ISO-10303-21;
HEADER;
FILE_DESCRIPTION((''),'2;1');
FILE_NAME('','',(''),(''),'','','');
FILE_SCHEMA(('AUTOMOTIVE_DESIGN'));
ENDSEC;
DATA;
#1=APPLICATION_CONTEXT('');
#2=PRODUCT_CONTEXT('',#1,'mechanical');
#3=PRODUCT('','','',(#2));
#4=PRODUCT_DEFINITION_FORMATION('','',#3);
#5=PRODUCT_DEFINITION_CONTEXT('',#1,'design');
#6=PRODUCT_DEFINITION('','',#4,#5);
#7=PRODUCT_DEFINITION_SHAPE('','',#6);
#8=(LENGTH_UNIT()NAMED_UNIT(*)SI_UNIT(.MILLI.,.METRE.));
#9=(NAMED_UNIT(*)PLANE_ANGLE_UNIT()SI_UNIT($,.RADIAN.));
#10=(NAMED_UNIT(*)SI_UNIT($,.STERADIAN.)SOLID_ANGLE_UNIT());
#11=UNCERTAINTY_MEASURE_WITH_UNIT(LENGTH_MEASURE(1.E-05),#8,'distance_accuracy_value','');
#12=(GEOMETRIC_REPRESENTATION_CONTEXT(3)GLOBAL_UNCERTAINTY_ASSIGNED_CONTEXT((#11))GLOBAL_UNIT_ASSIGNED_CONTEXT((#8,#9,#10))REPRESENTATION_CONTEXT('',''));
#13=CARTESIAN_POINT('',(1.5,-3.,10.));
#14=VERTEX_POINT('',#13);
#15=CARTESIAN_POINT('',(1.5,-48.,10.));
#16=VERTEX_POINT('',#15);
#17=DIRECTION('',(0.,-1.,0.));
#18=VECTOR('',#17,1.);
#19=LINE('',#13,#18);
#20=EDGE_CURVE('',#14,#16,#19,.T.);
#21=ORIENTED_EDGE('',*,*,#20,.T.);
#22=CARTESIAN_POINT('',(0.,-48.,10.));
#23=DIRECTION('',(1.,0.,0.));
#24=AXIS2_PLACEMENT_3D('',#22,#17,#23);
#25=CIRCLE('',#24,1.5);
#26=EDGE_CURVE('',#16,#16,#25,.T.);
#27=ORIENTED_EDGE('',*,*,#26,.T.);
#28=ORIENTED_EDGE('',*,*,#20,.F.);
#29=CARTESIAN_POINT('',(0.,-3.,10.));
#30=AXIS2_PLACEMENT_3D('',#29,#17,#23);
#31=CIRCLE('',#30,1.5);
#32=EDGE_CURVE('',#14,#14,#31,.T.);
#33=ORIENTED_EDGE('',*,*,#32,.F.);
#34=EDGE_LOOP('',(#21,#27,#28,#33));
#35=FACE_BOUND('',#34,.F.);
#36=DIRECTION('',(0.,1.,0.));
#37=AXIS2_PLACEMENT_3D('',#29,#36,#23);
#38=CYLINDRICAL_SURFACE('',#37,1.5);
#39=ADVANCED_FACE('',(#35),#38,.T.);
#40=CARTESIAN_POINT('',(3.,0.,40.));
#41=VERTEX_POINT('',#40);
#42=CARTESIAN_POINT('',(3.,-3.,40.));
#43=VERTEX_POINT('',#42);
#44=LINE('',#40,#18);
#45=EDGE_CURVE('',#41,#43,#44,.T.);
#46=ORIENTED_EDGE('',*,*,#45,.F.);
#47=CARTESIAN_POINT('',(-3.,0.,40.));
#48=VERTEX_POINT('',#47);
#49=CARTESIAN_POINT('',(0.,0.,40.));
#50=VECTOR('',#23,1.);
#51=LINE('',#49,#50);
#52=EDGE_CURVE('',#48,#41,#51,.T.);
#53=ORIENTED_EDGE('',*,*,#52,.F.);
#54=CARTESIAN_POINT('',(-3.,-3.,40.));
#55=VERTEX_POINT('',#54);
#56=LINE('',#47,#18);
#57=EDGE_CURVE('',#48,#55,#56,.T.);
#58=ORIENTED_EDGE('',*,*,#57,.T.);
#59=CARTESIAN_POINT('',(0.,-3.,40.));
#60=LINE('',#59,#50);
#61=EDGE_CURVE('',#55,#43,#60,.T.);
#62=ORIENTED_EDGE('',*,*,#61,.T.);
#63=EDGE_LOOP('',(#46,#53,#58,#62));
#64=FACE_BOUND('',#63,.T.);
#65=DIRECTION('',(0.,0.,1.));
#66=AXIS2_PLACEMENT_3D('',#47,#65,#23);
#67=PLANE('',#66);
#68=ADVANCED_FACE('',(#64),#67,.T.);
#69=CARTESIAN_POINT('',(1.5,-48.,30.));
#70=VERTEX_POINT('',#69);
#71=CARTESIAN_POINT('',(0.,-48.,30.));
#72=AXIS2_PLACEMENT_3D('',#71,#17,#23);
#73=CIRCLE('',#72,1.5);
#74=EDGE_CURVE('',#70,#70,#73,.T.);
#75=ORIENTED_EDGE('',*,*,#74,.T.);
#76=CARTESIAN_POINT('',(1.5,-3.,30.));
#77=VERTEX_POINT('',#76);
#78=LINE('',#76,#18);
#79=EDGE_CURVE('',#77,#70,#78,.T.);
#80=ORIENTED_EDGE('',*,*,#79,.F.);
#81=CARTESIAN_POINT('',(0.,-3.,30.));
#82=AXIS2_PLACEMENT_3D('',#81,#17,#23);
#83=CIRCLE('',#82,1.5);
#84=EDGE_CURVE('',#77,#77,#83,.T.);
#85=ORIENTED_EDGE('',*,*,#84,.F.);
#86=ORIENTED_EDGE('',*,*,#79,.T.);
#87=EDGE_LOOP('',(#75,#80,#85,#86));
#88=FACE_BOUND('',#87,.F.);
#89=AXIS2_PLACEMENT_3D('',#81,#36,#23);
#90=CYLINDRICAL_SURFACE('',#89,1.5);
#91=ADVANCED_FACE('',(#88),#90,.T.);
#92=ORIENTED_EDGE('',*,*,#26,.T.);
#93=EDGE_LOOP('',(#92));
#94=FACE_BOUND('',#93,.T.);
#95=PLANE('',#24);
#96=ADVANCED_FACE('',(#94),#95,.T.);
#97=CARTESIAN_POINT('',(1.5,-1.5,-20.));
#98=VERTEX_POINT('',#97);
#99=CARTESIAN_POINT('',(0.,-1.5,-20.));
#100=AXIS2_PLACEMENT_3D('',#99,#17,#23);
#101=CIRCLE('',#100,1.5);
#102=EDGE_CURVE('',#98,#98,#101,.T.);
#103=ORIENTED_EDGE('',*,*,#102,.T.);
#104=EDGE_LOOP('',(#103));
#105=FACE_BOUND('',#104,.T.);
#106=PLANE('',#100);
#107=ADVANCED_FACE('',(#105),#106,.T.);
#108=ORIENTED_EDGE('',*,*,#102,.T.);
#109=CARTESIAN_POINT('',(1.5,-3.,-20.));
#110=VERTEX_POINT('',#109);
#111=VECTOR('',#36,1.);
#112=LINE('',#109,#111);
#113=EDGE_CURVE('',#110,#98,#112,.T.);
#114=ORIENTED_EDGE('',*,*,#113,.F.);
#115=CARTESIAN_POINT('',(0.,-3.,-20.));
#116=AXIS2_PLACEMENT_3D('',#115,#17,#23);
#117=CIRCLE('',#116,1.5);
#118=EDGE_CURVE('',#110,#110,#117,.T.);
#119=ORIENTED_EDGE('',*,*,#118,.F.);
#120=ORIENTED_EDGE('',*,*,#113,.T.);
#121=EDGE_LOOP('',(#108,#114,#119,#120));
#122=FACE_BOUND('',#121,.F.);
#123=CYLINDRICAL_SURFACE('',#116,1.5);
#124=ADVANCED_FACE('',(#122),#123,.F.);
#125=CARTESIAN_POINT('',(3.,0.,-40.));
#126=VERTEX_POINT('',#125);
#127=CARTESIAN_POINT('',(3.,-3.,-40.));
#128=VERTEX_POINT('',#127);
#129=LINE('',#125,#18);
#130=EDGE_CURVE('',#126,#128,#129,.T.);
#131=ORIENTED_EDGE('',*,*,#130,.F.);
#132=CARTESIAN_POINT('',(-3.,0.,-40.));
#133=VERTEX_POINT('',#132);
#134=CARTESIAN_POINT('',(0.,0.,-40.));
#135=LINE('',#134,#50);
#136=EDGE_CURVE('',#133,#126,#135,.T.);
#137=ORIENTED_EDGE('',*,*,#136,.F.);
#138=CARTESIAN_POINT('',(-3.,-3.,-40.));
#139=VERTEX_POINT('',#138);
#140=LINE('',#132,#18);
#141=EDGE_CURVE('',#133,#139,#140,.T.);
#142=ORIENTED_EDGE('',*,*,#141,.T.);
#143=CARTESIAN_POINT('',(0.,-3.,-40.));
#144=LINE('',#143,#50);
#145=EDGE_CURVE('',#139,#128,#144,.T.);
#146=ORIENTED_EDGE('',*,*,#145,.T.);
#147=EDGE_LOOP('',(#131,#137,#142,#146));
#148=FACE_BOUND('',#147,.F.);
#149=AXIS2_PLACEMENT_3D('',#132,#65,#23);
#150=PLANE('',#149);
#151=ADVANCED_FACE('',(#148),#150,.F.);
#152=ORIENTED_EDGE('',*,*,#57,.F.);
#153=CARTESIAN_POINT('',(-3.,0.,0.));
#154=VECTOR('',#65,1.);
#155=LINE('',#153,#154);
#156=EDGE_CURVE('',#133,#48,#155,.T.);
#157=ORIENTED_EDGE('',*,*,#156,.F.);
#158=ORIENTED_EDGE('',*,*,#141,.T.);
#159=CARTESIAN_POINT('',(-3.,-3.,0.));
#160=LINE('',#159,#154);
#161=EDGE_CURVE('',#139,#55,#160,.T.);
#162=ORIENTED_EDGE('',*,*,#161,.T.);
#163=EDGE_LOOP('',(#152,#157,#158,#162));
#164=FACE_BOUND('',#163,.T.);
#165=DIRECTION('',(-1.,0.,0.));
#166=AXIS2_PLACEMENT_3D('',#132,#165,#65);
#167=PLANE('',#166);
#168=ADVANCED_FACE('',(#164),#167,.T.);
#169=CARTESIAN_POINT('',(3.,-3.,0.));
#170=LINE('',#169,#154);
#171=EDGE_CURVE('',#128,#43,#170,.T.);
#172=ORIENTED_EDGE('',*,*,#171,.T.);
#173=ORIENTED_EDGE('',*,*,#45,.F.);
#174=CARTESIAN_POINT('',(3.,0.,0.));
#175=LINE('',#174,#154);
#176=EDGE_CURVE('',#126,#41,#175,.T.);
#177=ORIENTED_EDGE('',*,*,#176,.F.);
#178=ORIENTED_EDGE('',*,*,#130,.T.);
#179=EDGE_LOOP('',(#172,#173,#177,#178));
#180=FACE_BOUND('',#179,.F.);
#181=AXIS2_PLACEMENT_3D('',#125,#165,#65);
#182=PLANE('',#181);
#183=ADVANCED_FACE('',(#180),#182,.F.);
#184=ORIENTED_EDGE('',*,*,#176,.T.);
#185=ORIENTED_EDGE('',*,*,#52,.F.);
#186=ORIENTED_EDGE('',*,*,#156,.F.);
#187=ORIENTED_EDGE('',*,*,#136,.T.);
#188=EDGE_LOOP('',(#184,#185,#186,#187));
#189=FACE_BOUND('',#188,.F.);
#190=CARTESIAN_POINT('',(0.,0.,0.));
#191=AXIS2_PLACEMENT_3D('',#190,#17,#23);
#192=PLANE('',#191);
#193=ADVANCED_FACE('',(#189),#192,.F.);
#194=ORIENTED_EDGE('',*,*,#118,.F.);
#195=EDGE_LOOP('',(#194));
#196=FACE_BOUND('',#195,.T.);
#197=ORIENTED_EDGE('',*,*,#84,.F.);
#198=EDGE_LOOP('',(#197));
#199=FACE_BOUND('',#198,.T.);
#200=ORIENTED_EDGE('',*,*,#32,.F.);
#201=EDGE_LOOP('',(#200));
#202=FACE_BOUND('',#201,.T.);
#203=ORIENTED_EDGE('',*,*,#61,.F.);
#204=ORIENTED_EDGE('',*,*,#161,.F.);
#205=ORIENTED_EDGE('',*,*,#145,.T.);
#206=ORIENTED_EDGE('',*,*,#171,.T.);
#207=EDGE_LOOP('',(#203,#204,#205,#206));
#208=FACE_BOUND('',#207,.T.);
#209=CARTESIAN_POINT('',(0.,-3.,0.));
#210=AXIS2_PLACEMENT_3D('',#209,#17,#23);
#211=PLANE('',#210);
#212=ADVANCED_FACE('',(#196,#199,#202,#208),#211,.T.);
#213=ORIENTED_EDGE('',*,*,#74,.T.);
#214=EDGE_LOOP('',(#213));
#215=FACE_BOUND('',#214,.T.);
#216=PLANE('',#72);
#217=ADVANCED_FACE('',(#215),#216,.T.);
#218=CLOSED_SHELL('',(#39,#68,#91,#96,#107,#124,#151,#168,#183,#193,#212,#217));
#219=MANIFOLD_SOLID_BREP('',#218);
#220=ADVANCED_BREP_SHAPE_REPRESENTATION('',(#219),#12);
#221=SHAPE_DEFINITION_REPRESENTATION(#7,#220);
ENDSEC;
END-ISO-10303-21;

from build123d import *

# Parameters (mm, degrees)
F0_W     = 6
F0_H     = 80
F1_DEPTH = 3
F2_R     = 1.5
F3_DEPTH = 1.5
F4_R     = 1.5
F5_DEPTH = 45


with BuildPart() as f1:
    # F0 (on Front) → F1 (new body)
    with BuildSketch(Plane.XZ):
        Rectangle(F0_W, F0_H)
    extrude(amount=F1_DEPTH)

    # F2 (on face) → F3 (cut)
    with BuildSketch(Plane.XZ.offset(3)):
        with Locations((0, -20)):
            Circle(F2_R)
    extrude(amount=-F3_DEPTH, mode=Mode.SUBTRACT)

    # F4 (on face) → F5 (join)
    with BuildSketch(Plane.XZ.offset(3)):
        with Locations((0, 10)):
            Circle(F4_R)
        with Locations((0, 30)):
            Circle(F4_R)
    extrude(amount=F5_DEPTH)


solid = f1.part
